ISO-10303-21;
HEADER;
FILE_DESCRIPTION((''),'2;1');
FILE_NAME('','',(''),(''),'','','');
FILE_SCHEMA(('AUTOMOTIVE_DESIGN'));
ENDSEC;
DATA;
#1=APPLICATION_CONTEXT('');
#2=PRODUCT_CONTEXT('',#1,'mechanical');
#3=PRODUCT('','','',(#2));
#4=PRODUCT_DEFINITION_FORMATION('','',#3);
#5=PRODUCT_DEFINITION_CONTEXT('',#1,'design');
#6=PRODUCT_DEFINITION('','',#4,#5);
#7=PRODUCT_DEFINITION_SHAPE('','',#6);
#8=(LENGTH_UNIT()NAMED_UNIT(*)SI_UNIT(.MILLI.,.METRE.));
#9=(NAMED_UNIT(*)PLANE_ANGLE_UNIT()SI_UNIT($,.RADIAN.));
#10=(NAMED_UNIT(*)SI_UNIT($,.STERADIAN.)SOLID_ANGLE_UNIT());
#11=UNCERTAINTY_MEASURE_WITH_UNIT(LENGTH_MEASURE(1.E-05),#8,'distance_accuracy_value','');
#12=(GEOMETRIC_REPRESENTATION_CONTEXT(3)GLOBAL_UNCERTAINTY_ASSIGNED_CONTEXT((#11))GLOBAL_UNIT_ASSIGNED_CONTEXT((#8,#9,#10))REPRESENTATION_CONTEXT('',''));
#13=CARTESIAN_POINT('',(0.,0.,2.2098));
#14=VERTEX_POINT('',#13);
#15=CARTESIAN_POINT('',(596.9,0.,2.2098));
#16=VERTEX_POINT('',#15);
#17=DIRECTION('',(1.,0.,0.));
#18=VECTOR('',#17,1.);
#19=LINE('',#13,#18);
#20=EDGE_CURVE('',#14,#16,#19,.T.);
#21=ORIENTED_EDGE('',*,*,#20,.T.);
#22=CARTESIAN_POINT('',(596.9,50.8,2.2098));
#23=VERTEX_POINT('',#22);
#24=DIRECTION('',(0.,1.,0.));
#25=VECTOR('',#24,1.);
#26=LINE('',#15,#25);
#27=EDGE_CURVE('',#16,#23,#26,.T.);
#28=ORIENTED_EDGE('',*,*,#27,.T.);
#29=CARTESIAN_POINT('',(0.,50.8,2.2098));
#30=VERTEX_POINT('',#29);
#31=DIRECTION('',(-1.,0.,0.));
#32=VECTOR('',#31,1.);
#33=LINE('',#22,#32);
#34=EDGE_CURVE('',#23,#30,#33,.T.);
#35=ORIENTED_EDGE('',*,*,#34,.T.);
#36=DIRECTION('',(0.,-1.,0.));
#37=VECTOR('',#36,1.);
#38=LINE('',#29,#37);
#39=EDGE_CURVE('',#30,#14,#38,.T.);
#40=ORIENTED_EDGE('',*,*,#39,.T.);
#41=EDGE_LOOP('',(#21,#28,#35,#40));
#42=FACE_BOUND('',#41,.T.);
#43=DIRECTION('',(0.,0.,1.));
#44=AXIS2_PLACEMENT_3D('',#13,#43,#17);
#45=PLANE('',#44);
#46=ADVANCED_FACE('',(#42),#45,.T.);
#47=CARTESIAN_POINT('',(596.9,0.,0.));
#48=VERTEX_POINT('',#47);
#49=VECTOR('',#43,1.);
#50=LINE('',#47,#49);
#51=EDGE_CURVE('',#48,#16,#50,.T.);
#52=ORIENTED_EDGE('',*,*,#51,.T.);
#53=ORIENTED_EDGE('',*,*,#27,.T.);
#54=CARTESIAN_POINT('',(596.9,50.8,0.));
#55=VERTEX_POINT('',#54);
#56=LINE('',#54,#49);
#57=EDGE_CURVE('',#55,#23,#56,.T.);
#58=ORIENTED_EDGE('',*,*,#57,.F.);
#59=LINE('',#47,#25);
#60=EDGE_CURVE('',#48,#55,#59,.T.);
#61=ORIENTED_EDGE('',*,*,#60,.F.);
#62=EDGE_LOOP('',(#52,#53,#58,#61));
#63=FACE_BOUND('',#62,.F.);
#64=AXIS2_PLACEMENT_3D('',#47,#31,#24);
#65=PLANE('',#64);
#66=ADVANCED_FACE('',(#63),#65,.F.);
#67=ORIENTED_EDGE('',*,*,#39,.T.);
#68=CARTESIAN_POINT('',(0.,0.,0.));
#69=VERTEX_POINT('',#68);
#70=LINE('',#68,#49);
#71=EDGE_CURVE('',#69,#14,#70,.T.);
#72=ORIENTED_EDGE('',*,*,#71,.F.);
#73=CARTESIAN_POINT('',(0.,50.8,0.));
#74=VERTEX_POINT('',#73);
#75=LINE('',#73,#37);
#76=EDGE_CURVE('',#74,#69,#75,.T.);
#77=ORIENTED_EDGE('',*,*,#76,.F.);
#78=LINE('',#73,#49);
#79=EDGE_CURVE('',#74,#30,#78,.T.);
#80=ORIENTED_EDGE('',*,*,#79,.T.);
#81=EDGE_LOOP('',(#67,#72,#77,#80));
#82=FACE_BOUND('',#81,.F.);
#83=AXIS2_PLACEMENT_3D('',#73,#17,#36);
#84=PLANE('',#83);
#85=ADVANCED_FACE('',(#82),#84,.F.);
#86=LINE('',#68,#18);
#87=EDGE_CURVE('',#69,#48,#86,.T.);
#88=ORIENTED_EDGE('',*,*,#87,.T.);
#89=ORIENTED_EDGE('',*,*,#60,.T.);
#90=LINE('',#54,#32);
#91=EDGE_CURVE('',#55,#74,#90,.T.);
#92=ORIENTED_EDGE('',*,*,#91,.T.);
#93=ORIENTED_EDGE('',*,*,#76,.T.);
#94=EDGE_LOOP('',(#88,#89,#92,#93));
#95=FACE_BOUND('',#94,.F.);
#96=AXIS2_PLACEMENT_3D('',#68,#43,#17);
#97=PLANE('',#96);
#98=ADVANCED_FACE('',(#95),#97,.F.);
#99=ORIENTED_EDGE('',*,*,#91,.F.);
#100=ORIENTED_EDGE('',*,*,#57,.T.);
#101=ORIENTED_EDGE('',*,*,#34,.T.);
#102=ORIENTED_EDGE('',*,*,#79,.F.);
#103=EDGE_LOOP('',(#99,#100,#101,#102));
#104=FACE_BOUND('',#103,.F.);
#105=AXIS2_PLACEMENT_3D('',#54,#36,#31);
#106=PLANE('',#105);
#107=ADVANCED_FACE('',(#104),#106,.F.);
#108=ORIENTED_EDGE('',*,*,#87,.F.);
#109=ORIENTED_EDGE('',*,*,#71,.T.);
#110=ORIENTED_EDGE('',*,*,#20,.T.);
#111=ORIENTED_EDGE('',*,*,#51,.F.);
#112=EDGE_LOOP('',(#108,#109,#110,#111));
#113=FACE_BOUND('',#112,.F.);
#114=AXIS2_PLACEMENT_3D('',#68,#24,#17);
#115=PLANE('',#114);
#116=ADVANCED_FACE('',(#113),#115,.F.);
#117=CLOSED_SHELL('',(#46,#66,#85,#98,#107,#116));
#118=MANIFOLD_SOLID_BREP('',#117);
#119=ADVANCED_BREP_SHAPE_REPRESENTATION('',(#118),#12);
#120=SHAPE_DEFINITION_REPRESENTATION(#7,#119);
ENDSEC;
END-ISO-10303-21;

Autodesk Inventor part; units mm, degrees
ref_plane "YZ Plane" through (0, 0, 0) normal (1, 0, 0) x (0, 1, 0)
ref_plane "XZ Plane" through (0, 0, 0) normal (0, 1, 0) x (-1, 0, 0)
ref_plane "XY Plane" through (0, 0, 0) normal (0, 0, 1) x (1, 0, 0)
sketch "Sketch1" plane through (0, 0, 0) normal (0, 0, 1) x (1, 0, 0)
  line L0 (0, 0) -> (596.9, 0)
  line L1 (596.9, 0) -> (596.9, 50.8)
  line L2 (596.9, 50.8) -> (0, 50.8)
  line L3 (0, 50.8) -> (0, 0)
  dimension "d0" = 596.9
  dimension "d1" = 50.8
extrude "Extrusion1" add sketch "Sketch1" along normal blind 2.2098
properties part number "23.5 sheet metal"
